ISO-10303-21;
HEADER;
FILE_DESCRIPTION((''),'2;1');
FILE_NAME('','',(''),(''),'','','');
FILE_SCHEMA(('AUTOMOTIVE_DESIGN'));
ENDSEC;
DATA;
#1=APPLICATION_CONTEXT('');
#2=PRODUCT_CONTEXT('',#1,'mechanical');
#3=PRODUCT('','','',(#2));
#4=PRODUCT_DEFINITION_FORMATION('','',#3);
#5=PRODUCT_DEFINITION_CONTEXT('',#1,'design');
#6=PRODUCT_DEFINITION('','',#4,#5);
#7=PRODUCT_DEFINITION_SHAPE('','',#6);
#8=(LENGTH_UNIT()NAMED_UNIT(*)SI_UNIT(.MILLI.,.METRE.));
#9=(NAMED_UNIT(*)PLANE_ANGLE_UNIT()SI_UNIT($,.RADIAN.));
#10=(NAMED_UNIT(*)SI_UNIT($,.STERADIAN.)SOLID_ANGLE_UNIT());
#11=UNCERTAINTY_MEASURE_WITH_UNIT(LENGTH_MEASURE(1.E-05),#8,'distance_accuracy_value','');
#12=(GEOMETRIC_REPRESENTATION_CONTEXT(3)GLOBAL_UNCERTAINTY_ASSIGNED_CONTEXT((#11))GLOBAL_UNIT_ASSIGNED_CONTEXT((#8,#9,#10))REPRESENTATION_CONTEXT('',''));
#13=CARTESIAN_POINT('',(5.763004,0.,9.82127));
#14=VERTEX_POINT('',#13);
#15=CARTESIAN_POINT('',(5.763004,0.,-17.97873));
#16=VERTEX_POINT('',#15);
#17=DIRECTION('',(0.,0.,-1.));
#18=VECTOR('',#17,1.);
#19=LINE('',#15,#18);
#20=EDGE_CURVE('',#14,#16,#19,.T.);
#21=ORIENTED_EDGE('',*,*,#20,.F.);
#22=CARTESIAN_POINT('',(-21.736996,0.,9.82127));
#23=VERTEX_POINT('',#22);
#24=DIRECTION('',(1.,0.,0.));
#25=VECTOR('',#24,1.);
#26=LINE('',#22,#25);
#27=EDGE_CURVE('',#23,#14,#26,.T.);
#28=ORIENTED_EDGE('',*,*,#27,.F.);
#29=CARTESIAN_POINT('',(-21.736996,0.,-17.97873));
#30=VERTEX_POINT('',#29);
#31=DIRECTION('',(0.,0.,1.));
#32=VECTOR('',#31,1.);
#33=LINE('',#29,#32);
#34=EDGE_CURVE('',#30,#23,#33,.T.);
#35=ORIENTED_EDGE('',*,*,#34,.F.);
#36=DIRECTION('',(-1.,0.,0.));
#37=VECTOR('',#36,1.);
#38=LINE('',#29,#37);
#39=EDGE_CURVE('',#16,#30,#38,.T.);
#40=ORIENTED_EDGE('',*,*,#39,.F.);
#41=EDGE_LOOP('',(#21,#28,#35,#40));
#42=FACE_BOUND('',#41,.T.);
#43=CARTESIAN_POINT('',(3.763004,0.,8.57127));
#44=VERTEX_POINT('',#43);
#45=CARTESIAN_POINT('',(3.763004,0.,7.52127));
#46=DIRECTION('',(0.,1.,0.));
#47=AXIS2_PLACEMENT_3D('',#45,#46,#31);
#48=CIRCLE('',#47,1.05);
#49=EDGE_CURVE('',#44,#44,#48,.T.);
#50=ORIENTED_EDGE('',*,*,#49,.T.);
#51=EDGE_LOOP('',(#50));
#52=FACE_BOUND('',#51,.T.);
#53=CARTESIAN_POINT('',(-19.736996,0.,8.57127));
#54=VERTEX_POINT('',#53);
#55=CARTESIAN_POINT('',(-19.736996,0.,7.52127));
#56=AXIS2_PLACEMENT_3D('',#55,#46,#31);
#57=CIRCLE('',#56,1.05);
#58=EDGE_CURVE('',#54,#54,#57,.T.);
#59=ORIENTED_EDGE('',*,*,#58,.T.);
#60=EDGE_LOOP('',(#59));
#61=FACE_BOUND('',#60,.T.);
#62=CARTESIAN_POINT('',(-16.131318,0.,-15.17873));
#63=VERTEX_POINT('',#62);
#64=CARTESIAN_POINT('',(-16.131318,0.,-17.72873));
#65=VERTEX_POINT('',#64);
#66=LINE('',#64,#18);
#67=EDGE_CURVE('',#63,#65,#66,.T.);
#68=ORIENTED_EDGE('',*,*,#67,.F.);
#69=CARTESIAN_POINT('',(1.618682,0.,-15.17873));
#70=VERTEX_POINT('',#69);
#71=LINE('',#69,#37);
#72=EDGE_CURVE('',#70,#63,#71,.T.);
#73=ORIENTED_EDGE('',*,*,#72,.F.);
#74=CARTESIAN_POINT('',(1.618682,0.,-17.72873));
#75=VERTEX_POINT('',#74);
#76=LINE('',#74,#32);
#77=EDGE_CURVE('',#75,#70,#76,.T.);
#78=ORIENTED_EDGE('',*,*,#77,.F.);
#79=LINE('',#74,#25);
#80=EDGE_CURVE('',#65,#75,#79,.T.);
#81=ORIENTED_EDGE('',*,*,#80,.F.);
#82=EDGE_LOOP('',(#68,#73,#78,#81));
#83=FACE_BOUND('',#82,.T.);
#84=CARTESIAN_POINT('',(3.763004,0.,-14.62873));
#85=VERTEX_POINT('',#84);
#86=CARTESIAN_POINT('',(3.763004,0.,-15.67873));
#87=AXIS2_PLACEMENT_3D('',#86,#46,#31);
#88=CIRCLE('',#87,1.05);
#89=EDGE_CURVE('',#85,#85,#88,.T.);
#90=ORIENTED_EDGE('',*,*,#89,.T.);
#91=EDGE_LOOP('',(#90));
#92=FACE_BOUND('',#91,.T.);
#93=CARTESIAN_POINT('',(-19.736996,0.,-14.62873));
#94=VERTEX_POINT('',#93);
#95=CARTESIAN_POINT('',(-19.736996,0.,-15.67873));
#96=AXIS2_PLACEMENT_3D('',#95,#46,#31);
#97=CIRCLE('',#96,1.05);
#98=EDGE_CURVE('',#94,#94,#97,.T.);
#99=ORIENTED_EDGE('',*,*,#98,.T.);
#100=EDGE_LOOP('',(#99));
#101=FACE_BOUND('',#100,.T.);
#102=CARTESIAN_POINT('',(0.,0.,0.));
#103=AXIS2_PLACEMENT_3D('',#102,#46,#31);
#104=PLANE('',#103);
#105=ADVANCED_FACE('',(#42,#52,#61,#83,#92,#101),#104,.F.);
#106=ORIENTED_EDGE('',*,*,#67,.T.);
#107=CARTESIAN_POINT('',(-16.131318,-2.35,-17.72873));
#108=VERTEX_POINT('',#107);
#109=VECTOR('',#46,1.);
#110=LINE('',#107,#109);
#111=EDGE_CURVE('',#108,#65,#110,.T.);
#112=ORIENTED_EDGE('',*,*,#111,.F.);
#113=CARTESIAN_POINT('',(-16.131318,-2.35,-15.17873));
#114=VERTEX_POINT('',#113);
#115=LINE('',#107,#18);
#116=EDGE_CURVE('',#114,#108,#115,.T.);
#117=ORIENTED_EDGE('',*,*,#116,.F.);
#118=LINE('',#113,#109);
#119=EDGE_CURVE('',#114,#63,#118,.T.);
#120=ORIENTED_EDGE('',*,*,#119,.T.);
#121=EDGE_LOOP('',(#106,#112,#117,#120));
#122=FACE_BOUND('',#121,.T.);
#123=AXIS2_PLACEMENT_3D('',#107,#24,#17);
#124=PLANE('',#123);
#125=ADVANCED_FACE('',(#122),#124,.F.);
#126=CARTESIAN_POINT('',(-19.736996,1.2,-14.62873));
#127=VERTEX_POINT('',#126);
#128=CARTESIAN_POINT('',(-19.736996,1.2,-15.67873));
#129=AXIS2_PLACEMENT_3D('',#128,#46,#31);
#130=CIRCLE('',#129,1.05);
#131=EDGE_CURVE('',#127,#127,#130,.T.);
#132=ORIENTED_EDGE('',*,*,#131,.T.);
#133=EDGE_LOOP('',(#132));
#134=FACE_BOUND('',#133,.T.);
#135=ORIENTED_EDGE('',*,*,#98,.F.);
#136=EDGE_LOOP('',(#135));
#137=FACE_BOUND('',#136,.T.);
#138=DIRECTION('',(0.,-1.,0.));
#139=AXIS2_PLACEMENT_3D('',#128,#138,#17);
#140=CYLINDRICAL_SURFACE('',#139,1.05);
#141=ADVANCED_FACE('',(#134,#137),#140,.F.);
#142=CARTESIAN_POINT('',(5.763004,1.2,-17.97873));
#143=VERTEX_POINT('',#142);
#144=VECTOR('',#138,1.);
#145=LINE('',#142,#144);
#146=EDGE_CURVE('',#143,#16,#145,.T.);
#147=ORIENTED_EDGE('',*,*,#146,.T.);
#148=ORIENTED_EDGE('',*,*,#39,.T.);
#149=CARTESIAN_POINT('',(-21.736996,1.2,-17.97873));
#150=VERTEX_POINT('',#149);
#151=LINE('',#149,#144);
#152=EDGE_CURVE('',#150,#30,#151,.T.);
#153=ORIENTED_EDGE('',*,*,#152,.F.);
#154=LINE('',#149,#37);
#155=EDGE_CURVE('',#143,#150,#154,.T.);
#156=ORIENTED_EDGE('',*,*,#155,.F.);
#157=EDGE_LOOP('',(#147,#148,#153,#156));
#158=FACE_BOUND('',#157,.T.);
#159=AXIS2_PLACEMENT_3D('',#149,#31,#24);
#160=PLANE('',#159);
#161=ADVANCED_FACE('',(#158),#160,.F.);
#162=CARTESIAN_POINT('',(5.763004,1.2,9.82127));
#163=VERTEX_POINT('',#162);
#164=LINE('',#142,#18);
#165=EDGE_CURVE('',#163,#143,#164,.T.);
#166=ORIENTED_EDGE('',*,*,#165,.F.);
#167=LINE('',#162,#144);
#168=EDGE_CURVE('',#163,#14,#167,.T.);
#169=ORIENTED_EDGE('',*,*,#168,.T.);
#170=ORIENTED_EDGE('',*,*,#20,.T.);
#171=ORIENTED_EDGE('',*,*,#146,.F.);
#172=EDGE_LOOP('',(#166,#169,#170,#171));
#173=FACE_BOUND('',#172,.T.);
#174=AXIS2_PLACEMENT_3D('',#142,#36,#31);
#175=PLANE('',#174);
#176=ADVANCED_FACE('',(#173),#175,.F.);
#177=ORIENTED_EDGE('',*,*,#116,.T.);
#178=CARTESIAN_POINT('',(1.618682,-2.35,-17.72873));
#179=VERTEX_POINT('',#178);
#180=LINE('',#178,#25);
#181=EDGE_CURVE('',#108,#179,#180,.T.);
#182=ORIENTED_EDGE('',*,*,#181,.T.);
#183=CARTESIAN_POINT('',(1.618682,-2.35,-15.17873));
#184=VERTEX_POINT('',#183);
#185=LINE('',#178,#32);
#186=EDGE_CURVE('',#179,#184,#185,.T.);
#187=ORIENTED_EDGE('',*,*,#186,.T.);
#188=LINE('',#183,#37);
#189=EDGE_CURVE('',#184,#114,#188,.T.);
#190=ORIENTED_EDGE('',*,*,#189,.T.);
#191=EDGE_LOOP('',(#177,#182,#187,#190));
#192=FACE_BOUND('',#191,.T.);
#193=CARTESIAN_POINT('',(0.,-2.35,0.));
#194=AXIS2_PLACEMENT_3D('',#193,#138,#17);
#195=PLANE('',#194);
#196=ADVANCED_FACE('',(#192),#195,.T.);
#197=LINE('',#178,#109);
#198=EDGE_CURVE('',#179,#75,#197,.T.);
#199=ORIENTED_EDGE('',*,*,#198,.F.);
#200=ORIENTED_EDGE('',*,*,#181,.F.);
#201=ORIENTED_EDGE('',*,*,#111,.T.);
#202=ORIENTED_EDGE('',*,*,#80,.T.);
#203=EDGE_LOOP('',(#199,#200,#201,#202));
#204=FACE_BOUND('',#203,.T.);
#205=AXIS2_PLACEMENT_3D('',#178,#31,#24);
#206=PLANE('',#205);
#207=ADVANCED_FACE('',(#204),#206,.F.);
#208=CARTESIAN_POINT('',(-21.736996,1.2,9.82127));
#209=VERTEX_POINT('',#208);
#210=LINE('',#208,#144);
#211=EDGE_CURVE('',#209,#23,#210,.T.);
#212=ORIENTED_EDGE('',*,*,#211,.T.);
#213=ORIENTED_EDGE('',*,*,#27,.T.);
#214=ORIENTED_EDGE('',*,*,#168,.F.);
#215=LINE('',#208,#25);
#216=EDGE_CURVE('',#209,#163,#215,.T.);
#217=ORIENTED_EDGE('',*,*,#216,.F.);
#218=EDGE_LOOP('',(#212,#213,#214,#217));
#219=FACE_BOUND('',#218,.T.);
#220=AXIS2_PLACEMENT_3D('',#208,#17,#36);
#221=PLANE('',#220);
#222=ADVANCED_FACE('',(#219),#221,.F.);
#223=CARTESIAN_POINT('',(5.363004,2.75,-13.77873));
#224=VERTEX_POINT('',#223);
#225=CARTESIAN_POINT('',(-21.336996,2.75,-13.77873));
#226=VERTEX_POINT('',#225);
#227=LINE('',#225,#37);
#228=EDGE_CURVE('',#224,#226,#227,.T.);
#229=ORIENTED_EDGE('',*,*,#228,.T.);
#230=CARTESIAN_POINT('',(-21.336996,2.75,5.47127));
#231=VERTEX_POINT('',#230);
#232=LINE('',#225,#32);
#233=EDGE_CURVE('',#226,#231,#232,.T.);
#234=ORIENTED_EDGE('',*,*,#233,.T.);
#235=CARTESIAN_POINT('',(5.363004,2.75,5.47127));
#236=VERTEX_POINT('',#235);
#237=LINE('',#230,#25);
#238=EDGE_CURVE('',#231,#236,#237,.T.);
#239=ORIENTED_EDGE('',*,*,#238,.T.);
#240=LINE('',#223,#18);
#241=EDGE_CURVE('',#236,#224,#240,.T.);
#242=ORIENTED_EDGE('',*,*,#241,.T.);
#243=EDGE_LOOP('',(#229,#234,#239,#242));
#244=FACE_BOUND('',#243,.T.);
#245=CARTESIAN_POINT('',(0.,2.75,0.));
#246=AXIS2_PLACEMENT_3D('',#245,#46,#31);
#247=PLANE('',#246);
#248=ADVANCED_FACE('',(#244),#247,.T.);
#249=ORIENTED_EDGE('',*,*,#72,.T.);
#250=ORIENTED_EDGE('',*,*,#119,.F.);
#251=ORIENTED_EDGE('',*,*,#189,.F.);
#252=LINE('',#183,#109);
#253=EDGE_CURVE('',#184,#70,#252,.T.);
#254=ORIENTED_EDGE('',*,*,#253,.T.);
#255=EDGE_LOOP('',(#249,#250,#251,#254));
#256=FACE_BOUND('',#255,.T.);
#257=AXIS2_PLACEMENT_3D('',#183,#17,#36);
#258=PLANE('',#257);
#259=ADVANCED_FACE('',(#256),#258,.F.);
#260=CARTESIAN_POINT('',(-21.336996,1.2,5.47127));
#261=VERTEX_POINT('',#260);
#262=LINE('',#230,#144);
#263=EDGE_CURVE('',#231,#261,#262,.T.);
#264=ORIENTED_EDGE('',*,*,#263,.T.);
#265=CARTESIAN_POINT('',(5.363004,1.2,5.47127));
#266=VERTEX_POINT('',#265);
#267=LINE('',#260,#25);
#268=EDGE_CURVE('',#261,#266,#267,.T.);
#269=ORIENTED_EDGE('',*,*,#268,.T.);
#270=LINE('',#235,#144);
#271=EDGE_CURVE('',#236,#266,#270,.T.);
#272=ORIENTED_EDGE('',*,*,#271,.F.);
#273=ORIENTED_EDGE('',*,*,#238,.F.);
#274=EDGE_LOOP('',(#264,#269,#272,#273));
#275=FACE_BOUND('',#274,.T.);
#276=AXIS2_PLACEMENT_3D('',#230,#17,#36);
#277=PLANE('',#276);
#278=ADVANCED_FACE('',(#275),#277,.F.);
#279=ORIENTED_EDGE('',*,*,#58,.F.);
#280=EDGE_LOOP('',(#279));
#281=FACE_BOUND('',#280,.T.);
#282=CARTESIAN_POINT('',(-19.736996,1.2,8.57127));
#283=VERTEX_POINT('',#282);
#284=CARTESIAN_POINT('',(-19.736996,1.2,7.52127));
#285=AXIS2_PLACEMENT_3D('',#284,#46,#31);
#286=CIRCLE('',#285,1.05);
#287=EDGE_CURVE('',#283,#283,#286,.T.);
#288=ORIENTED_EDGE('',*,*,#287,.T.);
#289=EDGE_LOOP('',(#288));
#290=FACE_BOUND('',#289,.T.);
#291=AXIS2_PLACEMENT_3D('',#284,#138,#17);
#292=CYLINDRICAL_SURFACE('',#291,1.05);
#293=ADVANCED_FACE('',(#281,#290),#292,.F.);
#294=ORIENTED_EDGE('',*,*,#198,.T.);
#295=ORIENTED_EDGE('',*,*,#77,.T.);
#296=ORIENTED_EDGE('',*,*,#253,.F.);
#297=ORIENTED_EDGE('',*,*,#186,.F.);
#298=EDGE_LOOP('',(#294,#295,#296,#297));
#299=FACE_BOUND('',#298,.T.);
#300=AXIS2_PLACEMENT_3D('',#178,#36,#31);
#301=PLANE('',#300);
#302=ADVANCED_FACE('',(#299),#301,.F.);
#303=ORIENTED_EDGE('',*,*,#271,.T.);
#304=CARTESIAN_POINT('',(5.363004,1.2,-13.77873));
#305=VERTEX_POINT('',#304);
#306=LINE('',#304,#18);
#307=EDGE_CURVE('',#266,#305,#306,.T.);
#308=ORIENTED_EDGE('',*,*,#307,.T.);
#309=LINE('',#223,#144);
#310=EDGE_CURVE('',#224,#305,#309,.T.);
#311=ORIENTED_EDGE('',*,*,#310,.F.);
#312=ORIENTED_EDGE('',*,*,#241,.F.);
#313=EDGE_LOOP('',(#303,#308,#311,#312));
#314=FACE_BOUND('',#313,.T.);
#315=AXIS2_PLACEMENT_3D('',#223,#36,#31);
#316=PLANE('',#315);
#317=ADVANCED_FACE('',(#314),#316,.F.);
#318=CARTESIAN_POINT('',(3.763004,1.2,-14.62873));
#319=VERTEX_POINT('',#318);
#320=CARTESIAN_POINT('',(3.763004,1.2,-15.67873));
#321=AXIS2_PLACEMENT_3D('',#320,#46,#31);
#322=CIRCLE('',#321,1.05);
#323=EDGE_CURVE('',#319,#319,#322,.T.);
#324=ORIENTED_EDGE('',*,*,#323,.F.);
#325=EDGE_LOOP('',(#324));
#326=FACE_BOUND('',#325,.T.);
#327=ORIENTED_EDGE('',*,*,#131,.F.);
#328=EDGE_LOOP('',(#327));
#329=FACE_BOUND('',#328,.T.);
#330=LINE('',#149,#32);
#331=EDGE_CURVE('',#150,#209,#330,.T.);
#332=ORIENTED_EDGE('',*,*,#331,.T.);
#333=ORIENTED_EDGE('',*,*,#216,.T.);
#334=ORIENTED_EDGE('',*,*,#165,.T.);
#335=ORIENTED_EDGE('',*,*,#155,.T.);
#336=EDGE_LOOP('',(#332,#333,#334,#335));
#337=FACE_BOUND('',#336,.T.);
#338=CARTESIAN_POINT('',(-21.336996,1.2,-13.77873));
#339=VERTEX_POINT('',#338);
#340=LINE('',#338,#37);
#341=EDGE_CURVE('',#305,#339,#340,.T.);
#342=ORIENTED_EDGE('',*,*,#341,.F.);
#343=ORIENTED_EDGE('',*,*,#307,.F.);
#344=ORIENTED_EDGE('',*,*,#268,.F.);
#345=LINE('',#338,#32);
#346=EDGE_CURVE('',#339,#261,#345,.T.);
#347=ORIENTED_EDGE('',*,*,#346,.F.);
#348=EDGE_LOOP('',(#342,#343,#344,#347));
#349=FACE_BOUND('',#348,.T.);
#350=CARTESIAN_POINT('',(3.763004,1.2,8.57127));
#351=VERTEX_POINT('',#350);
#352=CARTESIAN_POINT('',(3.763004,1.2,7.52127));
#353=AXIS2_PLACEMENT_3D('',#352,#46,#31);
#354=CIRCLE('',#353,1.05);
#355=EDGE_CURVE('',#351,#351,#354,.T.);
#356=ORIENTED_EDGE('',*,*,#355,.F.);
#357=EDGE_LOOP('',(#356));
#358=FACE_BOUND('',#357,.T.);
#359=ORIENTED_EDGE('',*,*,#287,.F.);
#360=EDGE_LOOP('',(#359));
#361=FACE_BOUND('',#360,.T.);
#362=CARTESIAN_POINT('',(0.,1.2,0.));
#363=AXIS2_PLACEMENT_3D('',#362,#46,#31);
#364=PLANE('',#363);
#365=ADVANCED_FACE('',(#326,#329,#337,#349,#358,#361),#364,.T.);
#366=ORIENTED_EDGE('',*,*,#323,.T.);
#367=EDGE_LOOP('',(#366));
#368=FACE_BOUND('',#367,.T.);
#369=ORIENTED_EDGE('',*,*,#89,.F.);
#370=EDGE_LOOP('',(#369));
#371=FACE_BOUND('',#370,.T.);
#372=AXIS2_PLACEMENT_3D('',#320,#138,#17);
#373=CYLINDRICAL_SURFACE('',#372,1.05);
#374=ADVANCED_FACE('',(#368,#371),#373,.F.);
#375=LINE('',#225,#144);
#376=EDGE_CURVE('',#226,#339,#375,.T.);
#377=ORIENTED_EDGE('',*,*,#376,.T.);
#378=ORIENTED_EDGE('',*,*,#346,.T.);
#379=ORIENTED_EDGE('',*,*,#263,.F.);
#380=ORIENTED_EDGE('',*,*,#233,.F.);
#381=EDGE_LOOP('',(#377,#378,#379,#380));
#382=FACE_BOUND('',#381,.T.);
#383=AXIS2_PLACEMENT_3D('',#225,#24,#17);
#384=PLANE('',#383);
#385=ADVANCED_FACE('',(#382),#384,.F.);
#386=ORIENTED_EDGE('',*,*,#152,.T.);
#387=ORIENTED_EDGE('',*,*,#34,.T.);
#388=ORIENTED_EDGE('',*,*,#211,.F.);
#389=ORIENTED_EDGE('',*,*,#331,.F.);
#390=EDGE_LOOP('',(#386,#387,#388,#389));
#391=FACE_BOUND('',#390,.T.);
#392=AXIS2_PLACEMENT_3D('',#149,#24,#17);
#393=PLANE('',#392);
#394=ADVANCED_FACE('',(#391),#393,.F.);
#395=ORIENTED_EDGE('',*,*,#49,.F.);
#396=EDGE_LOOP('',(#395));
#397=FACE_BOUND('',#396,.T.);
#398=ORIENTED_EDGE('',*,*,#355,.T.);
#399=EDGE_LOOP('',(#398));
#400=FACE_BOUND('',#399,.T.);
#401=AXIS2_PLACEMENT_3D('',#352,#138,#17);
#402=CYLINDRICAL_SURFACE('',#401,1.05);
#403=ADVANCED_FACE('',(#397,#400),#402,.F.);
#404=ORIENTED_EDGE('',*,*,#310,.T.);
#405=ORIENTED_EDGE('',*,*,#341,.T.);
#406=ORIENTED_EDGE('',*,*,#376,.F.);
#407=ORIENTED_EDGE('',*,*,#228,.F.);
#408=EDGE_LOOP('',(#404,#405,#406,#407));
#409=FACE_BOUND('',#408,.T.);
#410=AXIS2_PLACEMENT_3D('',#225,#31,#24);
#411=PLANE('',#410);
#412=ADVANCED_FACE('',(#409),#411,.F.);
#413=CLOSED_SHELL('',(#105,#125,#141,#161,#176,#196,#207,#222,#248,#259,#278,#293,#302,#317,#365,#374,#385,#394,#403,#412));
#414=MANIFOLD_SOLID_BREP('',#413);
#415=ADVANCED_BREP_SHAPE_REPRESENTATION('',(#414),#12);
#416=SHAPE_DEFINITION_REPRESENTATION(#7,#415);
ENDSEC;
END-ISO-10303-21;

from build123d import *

# Parameters (mm, degrees)
SKETCH1_W           = 27.5
SKETCH1_H           = 27.8
SKETCH1_R           = 1.05
BOSS_EXTRUDE1_DEPTH = 1.2
SKETCH2_W           = 26.7
SKETCH2_H           = 19.25
BOSS_EXTRUDE2_DEPTH = 1.55
SKETCH3_W           = 17.75
SKETCH3_H           = 2.55
BOSS_EXTRUDE3_DEPTH = 2.35


with BuildPart() as part:
    # Sketch1 → Boss-Extrude1 (new body)
    with BuildSketch(Plane(origin=(0, 0, 0), x_dir=(1, 0, 0), z_dir=(0, 1, 0))):
        with Locations((-7.986995643, 4.078730041)):
            Rectangle(SKETCH1_W, SKETCH1_H)
        with Locations((-19.736995643, 15.678730041)):
            Circle(SKETCH1_R, mode=Mode.SUBTRACT)
        with Locations((3.763004357, 15.678730041)):
            Circle(SKETCH1_R, mode=Mode.SUBTRACT)
        with Locations((3.763004357, -7.521269959)):
            Circle(SKETCH1_R, mode=Mode.SUBTRACT)
        with Locations((-19.736995643, -7.521269959)):
            Circle(SKETCH1_R, mode=Mode.SUBTRACT)
    extrude(amount=BOSS_EXTRUDE1_DEPTH)

    # Sketch2 → Boss-Extrude2 (add)
    with BuildSketch(Plane(origin=(0, 1.2, 0), x_dir=(1, 0, 0), z_dir=(0, 1, 0))):
        with Locations((-7.986995643, 4.153730041)):
            Rectangle(SKETCH2_W, SKETCH2_H)
    extrude(amount=BOSS_EXTRUDE2_DEPTH)

    # Sketch3 → Boss-Extrude3 (add)
    with BuildSketch(Plane.XZ):
        with Locations((-7.256318238, -16.453730041)):
            Rectangle(SKETCH3_W, SKETCH3_H)
    extrude(amount=BOSS_EXTRUDE3_DEPTH)


solid = part.part
